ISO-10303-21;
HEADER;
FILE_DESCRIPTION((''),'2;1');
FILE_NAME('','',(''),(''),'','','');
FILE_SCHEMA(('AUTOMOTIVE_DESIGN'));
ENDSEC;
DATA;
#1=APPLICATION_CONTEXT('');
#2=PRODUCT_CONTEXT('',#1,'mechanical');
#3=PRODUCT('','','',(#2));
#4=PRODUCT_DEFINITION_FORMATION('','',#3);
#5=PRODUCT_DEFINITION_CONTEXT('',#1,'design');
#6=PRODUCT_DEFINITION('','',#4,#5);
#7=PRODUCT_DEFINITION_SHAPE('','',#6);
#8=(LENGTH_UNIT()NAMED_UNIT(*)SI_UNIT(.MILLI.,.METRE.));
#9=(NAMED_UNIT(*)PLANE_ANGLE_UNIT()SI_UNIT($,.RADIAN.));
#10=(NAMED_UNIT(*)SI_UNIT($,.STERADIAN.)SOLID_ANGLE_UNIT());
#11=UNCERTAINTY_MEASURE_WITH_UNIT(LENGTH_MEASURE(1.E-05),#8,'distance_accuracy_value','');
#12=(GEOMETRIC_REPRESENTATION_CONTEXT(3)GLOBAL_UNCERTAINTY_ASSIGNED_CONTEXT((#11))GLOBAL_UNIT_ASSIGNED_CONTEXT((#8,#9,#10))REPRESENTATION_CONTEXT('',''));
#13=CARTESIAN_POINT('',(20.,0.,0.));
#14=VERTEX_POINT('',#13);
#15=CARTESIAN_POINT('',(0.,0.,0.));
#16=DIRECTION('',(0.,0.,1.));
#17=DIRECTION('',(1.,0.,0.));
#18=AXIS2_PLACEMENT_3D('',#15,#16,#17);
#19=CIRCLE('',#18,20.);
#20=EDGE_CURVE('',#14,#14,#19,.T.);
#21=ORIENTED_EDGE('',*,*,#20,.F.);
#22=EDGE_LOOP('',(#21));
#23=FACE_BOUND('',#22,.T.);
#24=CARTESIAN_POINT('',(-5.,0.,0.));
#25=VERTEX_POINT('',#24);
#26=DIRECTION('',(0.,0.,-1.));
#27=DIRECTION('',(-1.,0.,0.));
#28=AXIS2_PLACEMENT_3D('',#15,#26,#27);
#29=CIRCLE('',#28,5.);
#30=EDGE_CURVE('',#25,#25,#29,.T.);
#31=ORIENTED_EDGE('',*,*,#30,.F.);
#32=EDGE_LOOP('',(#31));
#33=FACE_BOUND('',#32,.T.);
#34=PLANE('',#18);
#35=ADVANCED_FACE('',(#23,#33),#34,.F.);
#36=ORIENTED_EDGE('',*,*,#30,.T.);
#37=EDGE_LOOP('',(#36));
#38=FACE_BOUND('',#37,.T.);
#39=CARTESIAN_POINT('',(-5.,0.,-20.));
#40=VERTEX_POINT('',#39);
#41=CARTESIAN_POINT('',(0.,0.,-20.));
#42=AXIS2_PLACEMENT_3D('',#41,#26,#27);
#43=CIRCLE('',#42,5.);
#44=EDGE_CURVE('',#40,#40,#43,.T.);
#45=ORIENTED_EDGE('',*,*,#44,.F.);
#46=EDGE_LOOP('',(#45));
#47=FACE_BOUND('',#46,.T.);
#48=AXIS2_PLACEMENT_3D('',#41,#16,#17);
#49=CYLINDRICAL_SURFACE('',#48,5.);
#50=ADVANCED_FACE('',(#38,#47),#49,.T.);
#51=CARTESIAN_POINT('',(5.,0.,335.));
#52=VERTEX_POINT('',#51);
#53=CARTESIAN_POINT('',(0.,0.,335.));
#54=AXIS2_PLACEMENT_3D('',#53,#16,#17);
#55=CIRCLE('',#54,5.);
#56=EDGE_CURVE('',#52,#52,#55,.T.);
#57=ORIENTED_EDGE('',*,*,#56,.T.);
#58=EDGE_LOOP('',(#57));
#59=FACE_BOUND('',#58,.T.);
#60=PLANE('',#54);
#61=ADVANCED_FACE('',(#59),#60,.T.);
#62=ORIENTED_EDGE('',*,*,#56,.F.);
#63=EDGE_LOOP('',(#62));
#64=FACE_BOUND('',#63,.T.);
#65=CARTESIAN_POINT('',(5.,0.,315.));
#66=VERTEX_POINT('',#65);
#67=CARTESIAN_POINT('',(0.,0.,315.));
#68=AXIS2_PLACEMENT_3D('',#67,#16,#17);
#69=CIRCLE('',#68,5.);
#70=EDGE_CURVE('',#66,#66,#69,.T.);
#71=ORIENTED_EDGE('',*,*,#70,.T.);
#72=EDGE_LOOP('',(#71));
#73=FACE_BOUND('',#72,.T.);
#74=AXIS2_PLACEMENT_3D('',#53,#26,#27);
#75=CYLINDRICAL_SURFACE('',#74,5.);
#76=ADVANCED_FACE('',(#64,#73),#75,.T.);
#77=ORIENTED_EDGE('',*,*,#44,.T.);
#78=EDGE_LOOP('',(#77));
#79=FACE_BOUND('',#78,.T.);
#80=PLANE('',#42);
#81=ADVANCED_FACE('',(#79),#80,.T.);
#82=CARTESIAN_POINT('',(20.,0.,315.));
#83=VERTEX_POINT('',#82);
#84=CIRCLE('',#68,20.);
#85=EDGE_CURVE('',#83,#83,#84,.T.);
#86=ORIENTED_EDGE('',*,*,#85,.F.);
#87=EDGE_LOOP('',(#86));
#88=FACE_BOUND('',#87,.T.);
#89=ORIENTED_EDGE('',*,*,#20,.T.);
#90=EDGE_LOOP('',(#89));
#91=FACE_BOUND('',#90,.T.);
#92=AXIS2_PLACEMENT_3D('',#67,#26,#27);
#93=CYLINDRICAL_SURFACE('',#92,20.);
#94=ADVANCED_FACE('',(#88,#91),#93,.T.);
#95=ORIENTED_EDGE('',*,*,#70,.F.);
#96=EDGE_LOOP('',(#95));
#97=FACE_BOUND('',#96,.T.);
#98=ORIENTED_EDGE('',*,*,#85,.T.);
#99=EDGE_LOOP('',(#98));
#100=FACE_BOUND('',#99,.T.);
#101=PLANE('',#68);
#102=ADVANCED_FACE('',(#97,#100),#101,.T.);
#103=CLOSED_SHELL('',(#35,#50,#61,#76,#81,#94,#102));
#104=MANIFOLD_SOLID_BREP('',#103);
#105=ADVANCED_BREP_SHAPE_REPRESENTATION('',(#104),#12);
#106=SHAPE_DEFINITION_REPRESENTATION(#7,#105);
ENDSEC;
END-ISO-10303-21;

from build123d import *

# Parameters (mm, degrees)
SKETCH1_R           = 20
BOSS_EXTRUDE1_DEPTH = 315
SKETCH2_R           = 5
BOSS_EXTRUDE2_DEPTH = 20
SKETCH3_R           = 5
BOSS_EXTRUDE3_DEPTH = 20


with BuildPart() as part:
    # Sketch1 → Boss-Extrude1 (new body)
    with BuildSketch(Plane.XY):
        Circle(SKETCH1_R)
    extrude(amount=BOSS_EXTRUDE1_DEPTH)

    # Sketch2 → Boss-Extrude2 (add)
    with BuildSketch(Plane.XY.offset(315)):
        Circle(SKETCH2_R)
    extrude(amount=BOSS_EXTRUDE2_DEPTH)

    # Sketch3 → Boss-Extrude3 (add)
    with BuildSketch(Plane(origin=(0, 0, 0), x_dir=(-1, 0, 0), z_dir=(0, 0, -1))):
        Circle(SKETCH3_R)
    extrude(amount=BOSS_EXTRUDE3_DEPTH)


solid = part.part
